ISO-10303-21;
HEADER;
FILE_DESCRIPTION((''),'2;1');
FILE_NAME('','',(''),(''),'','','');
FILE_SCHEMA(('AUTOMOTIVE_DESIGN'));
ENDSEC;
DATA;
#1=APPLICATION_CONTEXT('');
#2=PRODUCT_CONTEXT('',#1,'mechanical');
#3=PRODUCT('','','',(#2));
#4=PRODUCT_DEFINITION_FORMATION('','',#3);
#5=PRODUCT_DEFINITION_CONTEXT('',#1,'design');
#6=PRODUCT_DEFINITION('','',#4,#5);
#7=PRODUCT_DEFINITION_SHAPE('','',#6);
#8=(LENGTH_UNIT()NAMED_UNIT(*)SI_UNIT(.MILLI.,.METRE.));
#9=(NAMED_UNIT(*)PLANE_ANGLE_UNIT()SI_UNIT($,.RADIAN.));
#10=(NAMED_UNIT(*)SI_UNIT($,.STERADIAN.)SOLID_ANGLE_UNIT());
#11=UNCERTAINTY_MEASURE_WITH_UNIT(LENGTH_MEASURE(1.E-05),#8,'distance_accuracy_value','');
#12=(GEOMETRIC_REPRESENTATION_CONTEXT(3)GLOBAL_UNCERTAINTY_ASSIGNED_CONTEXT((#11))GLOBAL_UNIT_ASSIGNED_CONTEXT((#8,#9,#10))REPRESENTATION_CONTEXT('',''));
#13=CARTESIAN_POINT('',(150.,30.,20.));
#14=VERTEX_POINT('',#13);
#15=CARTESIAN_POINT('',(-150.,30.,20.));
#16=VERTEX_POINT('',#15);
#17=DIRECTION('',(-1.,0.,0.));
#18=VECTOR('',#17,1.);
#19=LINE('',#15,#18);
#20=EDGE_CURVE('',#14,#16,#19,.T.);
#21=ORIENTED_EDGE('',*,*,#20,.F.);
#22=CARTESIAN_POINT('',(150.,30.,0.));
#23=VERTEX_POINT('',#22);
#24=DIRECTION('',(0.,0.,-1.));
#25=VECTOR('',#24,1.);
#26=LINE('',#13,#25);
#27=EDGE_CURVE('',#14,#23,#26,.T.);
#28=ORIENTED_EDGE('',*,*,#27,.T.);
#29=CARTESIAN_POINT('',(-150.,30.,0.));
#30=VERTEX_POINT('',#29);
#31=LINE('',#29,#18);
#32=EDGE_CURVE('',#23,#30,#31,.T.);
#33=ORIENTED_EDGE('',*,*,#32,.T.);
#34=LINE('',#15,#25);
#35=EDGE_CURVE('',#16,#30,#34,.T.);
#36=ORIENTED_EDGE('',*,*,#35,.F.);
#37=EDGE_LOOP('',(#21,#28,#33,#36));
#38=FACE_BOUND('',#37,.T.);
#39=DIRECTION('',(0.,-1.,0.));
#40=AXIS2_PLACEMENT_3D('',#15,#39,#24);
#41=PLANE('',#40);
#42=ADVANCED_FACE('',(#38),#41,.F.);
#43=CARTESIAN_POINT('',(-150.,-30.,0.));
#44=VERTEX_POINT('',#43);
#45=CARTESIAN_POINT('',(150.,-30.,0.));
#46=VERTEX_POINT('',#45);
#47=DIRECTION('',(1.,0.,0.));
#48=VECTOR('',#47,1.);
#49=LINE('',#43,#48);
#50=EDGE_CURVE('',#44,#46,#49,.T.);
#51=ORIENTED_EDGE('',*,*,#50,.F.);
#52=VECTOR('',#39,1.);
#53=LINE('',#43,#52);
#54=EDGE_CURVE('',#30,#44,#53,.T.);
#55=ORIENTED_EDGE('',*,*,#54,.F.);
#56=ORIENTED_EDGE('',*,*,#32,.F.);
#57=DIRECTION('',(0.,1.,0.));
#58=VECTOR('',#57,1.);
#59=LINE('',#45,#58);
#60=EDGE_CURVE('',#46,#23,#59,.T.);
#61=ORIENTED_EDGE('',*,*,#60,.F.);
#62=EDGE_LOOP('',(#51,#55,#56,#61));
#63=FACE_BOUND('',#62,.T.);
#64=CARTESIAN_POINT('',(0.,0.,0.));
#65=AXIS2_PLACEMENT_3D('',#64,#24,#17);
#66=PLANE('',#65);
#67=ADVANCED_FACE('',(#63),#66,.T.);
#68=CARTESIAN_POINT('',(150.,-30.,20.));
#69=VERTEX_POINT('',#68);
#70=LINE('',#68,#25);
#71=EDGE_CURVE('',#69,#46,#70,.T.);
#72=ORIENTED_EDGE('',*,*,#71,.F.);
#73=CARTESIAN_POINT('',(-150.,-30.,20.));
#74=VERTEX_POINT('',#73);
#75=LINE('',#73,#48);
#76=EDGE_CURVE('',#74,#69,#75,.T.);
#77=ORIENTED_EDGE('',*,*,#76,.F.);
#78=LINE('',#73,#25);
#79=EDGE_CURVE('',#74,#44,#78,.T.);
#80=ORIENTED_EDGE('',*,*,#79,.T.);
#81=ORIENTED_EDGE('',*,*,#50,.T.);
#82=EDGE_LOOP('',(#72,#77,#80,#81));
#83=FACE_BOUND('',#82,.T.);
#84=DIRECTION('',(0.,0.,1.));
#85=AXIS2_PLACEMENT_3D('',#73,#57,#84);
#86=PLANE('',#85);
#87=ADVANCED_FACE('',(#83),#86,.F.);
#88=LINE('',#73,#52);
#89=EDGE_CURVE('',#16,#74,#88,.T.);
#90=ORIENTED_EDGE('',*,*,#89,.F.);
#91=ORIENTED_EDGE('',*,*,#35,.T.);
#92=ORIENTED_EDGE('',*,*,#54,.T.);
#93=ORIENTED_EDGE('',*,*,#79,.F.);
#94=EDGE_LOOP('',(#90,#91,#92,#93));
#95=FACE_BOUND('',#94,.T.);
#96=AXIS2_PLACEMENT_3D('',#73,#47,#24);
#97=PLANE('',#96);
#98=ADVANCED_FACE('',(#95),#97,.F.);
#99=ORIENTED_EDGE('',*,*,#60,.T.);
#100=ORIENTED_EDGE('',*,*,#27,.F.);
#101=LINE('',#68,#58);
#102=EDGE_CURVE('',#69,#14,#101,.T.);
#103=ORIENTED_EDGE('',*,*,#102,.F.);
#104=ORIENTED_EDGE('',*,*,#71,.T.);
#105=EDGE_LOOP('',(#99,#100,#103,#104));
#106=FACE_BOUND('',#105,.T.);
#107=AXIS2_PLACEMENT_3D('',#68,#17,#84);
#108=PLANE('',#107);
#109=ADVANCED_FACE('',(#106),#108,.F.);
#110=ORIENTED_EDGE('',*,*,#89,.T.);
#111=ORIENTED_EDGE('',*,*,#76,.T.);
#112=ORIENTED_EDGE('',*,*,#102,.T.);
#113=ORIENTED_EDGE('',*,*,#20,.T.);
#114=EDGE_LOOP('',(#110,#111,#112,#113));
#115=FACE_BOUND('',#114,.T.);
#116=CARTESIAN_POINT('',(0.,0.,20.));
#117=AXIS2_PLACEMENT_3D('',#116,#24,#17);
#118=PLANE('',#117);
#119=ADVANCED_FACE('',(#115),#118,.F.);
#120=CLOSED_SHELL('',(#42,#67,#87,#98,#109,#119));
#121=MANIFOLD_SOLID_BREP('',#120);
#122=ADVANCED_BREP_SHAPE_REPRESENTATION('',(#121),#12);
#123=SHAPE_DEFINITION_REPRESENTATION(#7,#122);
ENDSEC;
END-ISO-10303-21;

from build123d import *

# Parameters (mm, degrees)
SKETCH_1_W      = 300
SKETCH_1_H      = 60
EXTRUDE_1_DEPTH = 20


with BuildPart() as part:
    # 草图1 → 凸台-拉伸1 (new body)
    with BuildSketch(Plane.XY):
        Rectangle(SKETCH_1_W, SKETCH_1_H)
    extrude(amount=EXTRUDE_1_DEPTH)


solid = part.part
